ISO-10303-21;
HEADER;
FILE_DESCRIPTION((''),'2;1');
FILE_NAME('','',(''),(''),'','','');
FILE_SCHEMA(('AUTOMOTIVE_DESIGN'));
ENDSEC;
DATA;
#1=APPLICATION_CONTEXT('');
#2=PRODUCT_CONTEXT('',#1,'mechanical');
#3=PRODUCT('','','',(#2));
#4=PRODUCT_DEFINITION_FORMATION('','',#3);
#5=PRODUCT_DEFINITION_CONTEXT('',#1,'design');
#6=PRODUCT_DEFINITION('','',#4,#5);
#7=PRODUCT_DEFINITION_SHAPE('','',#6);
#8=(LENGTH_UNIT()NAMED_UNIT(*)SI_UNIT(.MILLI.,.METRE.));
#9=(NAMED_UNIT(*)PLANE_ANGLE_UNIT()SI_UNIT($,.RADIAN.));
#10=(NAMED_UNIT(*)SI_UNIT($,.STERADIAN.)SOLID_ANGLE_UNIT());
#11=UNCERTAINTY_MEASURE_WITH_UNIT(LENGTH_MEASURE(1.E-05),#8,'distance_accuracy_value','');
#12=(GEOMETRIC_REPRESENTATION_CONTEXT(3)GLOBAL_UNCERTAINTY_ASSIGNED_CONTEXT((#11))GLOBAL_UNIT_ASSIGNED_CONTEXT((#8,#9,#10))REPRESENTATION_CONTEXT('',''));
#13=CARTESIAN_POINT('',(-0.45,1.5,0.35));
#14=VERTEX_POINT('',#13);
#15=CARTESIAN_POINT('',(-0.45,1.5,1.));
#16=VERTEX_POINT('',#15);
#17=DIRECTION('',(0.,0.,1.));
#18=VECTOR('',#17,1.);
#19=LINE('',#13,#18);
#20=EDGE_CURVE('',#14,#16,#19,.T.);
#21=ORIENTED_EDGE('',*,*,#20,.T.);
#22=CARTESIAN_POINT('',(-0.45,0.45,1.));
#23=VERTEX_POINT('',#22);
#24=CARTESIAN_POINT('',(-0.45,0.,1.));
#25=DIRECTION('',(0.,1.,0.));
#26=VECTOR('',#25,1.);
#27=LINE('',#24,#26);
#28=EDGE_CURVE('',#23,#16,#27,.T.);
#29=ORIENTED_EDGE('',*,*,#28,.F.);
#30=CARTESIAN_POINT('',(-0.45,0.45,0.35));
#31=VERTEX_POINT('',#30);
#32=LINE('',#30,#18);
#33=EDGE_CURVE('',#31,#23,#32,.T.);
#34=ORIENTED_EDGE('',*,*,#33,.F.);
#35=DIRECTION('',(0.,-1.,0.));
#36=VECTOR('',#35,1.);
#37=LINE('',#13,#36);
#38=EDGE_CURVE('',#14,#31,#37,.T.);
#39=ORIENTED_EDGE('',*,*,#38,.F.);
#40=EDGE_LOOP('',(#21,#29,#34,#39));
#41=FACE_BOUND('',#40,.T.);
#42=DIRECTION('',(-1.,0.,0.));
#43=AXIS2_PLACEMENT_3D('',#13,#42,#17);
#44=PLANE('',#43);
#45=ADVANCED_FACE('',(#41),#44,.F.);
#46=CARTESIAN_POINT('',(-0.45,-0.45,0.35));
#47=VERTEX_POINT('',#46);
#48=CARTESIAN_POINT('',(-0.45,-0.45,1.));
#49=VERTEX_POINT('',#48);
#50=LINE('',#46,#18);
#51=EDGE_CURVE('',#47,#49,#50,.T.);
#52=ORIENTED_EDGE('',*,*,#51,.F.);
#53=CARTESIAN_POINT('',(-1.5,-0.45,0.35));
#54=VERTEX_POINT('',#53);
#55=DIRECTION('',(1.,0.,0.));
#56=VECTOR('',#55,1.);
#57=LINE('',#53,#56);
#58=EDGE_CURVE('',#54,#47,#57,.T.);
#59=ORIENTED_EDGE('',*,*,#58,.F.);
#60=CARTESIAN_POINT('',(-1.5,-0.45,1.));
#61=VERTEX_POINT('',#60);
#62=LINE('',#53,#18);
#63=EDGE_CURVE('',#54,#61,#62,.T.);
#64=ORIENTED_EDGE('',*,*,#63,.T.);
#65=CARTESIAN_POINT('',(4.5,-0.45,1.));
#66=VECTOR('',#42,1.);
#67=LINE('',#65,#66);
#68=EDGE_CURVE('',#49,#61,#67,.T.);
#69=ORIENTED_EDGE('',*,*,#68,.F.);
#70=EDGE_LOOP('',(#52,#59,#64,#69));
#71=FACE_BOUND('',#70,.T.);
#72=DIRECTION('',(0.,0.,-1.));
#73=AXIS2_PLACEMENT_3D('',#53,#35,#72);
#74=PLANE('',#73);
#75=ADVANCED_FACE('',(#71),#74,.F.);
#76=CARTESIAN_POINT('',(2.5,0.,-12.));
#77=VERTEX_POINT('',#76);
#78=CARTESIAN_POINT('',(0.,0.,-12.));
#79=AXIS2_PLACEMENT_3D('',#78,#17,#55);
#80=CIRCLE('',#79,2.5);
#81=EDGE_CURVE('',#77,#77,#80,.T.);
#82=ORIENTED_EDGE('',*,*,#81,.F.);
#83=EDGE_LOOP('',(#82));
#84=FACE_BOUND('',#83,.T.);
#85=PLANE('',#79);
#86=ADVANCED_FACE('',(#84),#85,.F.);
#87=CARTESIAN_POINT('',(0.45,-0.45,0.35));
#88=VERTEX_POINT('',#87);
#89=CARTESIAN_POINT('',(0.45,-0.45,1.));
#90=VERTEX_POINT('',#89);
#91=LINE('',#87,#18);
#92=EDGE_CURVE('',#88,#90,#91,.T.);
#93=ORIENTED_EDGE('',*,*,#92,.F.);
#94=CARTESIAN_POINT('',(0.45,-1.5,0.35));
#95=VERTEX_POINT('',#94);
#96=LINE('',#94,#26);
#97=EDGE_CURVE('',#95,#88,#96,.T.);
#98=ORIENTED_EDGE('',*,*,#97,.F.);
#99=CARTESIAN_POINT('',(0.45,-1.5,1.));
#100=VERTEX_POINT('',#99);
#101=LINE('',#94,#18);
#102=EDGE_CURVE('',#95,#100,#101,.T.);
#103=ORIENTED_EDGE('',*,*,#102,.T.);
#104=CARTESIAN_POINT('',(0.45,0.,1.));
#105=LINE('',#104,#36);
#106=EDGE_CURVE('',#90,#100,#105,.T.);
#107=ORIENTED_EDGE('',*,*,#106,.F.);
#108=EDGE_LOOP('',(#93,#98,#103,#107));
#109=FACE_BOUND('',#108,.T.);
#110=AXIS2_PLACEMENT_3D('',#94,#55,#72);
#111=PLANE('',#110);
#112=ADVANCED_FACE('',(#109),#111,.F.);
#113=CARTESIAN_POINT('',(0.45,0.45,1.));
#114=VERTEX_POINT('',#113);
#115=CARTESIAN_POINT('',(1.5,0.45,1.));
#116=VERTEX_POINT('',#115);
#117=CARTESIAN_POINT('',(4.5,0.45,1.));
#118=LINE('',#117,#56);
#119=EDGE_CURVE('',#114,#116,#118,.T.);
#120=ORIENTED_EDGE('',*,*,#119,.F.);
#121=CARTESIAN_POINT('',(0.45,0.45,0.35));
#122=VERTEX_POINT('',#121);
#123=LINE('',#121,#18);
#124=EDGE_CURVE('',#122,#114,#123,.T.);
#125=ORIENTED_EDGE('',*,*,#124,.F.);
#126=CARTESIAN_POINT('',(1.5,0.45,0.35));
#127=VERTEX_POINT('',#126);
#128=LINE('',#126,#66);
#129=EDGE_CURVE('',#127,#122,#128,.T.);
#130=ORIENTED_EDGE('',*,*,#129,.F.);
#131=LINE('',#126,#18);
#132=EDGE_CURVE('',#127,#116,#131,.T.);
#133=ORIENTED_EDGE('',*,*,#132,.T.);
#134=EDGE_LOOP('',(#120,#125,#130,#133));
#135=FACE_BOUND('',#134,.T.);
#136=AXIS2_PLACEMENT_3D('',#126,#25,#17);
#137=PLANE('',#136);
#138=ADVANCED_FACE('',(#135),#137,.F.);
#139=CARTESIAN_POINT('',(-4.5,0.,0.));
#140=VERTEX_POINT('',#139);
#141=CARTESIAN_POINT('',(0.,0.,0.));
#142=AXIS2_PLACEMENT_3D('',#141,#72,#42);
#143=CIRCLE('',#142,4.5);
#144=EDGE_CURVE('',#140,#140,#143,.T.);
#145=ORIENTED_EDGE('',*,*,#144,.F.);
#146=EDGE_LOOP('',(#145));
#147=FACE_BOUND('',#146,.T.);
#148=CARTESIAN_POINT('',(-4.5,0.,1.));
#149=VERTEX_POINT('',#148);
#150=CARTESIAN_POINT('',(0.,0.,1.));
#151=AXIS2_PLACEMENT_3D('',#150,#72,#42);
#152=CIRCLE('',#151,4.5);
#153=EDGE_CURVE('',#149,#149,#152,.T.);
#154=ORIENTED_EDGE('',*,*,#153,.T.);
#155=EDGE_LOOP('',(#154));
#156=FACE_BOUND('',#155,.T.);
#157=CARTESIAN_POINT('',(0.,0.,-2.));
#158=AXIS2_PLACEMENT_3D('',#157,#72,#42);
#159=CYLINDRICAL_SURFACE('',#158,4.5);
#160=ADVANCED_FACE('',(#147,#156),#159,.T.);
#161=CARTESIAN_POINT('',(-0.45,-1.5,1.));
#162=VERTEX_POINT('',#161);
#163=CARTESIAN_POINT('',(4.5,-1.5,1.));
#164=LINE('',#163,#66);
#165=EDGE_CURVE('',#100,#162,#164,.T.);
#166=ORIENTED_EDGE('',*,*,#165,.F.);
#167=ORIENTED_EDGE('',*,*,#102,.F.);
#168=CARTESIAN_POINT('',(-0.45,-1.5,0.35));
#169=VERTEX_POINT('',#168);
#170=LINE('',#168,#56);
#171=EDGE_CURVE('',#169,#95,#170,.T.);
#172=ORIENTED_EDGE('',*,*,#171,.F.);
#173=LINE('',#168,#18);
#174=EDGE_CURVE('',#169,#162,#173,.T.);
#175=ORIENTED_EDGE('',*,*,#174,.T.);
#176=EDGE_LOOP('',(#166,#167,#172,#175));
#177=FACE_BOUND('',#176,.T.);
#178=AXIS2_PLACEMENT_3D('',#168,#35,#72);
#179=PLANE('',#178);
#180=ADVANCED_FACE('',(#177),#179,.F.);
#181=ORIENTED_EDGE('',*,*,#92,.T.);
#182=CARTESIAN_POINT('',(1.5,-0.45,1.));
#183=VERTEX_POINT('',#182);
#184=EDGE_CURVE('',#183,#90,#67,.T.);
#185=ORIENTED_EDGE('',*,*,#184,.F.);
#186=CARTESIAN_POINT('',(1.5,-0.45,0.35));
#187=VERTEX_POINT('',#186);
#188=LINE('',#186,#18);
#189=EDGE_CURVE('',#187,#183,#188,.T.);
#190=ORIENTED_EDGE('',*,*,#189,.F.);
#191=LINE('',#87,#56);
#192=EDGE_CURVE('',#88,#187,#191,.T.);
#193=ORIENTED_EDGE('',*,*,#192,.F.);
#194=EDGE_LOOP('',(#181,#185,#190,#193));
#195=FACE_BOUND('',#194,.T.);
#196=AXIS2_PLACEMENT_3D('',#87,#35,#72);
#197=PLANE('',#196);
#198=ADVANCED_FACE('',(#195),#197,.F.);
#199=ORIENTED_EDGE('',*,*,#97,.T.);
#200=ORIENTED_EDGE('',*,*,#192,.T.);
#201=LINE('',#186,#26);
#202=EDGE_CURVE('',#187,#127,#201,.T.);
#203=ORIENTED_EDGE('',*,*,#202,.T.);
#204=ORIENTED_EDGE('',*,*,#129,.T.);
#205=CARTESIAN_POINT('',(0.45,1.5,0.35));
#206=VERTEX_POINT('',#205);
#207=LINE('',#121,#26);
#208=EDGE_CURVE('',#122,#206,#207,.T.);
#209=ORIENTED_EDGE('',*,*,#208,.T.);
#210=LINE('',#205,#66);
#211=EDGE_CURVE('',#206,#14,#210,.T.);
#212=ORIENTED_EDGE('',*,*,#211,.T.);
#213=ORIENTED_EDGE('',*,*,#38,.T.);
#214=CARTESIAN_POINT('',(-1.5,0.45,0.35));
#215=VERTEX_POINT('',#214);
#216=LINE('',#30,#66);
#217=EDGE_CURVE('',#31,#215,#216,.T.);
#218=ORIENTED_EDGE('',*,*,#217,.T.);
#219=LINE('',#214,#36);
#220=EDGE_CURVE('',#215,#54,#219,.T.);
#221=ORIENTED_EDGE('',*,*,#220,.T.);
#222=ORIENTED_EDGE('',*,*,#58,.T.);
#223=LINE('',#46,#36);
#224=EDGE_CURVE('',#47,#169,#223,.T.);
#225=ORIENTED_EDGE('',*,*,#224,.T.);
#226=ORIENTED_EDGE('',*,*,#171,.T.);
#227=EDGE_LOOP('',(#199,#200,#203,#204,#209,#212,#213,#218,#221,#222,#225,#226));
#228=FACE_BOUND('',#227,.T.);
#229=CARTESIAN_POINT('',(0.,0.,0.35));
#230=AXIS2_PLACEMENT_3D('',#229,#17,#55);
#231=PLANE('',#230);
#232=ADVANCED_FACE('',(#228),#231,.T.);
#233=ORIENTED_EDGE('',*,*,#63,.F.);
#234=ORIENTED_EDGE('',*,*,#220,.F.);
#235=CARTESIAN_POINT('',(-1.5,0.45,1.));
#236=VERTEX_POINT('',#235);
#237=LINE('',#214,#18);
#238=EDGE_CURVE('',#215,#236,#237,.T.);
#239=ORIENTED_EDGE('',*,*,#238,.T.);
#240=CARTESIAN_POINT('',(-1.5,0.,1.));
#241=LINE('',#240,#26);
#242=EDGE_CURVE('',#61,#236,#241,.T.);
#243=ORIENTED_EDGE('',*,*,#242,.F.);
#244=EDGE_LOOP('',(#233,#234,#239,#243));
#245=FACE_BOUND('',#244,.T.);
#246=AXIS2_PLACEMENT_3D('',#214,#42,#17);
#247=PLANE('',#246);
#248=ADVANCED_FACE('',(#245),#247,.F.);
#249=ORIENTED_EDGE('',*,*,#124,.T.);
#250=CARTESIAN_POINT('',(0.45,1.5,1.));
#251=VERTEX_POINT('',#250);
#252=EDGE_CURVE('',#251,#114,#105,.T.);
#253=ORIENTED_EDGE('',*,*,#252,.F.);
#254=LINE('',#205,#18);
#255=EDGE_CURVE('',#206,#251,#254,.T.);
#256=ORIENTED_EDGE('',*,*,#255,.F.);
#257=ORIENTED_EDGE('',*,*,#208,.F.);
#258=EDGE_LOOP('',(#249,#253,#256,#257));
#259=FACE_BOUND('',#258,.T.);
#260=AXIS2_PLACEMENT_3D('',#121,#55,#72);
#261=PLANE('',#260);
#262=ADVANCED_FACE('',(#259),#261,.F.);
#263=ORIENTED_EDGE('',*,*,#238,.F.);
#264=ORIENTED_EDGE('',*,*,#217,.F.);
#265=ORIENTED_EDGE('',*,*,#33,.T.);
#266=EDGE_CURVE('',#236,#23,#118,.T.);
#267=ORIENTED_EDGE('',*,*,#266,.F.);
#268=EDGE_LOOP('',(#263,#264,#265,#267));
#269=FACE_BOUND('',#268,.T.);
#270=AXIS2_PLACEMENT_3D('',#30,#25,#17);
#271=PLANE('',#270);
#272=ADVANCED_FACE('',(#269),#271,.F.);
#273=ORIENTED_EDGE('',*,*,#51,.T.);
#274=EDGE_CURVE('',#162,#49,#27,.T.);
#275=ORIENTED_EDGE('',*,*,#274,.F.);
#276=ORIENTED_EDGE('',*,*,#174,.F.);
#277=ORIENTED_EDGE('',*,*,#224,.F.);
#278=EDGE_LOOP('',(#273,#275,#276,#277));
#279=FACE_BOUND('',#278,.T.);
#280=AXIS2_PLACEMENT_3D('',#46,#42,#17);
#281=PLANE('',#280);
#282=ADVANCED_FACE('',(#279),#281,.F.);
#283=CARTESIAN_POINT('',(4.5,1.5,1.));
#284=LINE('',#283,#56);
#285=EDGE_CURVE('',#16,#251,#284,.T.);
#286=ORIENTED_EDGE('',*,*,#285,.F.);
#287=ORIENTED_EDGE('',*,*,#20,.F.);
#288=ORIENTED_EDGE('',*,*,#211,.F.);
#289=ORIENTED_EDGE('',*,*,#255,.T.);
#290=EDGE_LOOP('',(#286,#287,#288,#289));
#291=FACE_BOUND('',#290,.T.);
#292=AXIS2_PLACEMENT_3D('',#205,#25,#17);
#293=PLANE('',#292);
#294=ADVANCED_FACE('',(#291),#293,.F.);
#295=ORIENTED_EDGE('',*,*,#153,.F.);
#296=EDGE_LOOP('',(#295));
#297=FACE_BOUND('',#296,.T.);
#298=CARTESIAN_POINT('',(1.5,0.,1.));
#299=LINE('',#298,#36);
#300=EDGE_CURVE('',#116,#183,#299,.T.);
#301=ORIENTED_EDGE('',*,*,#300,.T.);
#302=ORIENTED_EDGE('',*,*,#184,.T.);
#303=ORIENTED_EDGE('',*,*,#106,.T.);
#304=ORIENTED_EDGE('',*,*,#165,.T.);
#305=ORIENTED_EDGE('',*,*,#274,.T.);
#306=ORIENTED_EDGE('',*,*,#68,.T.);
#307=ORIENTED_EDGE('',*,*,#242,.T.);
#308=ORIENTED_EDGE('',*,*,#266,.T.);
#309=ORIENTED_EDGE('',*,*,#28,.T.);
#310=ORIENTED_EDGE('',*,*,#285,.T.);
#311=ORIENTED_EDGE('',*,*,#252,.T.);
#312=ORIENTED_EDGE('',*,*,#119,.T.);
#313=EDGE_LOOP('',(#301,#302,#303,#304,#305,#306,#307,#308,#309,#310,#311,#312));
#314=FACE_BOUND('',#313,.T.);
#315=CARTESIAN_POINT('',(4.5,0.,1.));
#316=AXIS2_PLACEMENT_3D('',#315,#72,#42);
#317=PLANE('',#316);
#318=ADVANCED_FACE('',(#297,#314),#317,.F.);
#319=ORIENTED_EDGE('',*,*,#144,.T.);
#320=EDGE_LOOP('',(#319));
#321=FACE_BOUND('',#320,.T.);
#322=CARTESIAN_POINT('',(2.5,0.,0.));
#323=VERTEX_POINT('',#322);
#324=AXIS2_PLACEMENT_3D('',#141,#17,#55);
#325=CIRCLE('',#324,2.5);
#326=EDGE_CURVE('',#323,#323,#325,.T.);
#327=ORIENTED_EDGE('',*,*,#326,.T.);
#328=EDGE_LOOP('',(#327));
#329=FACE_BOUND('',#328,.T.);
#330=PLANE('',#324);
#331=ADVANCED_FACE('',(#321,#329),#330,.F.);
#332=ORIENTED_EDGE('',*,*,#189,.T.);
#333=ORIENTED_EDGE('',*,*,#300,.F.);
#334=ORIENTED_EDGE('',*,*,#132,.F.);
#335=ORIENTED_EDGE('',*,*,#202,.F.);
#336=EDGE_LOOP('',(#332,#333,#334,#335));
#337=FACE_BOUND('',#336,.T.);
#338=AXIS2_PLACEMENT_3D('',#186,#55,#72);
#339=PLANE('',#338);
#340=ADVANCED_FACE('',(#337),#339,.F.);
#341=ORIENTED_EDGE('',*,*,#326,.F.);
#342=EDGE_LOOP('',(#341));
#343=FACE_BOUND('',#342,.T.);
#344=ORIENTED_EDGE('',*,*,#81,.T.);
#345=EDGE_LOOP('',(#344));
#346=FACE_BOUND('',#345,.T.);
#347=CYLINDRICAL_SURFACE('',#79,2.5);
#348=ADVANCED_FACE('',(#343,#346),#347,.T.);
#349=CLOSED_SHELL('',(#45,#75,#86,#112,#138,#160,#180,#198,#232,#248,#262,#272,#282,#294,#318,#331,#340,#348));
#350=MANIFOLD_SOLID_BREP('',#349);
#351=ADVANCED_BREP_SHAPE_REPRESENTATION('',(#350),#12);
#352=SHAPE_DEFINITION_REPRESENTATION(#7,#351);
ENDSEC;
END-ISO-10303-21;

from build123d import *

# Parameters (mm, degrees)
SKETCH_1_R        = 2.5
EXTRUDE_198_DEPTH = 12
SKETCH_6_W        = 4.5
SKETCH_6_H        = 1
PH2_START         = 1.01
PH2_DEPTH         = 0.66


with BuildPart() as part:
    # 草图1 → Extrude 198 (new body)
    with BuildSketch(Plane.XY):
        Circle(SKETCH_1_R)
    extrude(amount=-EXTRUDE_198_DEPTH)

    # 草图6 → Revolve 324 (revolve)
    with BuildSketch(Plane(origin=(0, 0, 0), x_dir=(1, 0, 0), z_dir=(0, 1, 0)), mode=Mode.PRIVATE) as revolve_324_sk:
        with Locations((2.25, -0.5)):
            Rectangle(SKETCH_6_W, SKETCH_6_H)
    revolve(revolve_324_sk.sketch.rotate(Axis((0, 0, -2), (0, 0, 1)), 180), axis=Axis((0, 0, -2), (0, 0, 1)))

    # 草图7 → 十字槽_PH2_简化 (cut)
    with BuildSketch(Plane.XY.offset(PH2_START)):
        Polygon((-0.45, -1.5), (0.45, -1.5), (0.45, -0.45), (1.5, -0.45), (1.5, 0.45), (0.45, 0.45), (0.45, 1.5), (-0.45, 1.5), (-0.45, 0.45), (-1.5, 0.45), (-1.5, -0.45), (-0.45, -0.45), align=None)
    extrude(amount=-PH2_DEPTH, mode=Mode.SUBTRACT)


solid = part.part
